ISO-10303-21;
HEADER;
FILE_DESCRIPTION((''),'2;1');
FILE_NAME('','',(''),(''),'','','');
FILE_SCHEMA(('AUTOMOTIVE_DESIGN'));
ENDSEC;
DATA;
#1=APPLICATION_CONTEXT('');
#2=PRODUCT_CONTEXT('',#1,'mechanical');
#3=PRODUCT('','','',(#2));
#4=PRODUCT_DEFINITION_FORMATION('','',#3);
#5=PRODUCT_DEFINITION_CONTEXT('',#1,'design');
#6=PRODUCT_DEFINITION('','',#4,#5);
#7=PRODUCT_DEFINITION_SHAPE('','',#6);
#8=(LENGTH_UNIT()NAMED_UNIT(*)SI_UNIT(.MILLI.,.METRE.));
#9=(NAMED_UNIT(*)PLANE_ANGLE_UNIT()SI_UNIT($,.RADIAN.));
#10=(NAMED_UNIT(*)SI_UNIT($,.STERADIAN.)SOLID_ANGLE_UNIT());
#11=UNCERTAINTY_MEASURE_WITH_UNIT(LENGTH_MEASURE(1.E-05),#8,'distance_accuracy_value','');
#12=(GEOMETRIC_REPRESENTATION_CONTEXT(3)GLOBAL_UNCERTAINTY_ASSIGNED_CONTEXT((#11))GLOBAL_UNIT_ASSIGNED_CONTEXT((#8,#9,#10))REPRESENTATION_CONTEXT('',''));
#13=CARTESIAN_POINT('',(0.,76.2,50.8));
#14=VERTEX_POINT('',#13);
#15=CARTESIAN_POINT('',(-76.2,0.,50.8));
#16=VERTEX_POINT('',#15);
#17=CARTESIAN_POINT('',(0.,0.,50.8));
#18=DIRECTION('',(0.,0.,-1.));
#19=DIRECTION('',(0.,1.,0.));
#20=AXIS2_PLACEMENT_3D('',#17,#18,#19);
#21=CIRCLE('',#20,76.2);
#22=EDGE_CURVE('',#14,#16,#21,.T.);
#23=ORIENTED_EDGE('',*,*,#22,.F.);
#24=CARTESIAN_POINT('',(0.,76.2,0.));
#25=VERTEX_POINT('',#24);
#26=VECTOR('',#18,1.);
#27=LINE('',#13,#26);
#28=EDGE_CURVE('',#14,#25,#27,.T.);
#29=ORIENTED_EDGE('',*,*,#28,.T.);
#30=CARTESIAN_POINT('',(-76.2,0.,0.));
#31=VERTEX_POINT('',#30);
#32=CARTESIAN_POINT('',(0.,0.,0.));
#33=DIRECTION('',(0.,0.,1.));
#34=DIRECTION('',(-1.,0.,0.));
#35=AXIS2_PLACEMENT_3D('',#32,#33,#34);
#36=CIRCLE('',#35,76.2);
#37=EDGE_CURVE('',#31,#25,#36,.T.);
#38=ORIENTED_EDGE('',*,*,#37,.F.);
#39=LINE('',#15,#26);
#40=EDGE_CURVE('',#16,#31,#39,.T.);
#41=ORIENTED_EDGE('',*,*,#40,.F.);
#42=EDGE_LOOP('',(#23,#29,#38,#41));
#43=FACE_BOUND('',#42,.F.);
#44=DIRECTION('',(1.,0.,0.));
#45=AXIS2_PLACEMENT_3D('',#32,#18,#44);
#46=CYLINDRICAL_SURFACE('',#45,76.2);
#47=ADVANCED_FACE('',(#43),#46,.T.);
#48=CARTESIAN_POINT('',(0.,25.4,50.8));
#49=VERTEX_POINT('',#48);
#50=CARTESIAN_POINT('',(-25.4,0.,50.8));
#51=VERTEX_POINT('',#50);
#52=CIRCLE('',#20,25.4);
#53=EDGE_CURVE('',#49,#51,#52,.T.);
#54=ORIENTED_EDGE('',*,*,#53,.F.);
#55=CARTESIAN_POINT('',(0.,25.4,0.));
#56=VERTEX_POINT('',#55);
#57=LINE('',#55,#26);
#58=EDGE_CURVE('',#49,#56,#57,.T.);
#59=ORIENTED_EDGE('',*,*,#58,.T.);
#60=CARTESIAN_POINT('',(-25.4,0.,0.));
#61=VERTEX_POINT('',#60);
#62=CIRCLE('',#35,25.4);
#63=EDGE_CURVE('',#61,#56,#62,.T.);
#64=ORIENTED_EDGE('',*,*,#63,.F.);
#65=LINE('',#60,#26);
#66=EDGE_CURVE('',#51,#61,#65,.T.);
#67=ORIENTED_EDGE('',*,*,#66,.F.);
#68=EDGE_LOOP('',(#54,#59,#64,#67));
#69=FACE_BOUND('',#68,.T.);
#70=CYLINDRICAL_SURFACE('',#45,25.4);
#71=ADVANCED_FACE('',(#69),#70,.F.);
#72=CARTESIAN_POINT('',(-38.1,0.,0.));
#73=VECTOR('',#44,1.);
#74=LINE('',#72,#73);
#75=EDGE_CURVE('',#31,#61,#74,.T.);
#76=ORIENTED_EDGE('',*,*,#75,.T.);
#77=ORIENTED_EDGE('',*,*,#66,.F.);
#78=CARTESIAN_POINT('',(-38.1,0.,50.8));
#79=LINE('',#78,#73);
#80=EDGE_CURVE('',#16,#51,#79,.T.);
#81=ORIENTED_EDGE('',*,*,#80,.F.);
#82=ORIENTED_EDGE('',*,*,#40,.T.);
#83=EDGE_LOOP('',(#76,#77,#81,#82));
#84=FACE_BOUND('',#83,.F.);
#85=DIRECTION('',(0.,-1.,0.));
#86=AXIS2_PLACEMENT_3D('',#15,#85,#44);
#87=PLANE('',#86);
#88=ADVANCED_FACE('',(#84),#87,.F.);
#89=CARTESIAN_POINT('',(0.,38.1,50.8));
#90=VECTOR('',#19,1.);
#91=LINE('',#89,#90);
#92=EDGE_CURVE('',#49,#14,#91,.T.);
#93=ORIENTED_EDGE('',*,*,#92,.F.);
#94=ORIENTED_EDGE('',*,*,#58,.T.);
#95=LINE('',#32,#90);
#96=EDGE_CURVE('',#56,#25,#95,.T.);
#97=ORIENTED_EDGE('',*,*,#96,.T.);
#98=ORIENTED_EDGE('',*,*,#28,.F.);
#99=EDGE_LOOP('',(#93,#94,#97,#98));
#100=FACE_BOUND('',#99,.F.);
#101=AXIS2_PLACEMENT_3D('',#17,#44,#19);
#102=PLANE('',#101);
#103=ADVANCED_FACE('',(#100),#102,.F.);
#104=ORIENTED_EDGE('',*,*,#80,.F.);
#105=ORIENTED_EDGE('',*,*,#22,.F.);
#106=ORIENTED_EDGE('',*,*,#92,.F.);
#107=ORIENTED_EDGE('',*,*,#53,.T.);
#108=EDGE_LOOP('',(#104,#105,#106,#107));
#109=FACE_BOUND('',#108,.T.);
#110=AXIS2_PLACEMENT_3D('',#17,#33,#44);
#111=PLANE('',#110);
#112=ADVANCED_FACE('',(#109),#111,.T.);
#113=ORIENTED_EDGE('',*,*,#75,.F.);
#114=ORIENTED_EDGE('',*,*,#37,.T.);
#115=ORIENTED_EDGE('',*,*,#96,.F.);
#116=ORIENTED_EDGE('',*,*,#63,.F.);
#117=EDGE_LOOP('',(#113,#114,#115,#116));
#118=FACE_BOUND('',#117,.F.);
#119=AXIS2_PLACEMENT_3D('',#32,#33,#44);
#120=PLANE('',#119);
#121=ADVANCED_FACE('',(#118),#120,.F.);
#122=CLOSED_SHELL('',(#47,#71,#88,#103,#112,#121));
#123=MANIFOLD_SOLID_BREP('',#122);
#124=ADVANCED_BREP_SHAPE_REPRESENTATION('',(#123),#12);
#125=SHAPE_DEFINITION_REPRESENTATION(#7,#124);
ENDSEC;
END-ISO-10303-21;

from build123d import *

# Parameters (mm, degrees)
F0_R     = 76.2
F0_R_2   = 25.4
F1_DEPTH = 50.8
F2_W     = 76.2
F2_H     = 76.2
F3_DEPTH = 50.801


with BuildPart() as f1:
    # F0 (on Top) → F1 (new body)
    with BuildSketch(Plane.XY):
        Circle(F0_R)
        Circle(F0_R_2, mode=Mode.SUBTRACT)
    extrude(amount=F1_DEPTH)

    # F2 (on face) → F3 (cut, through all)
    with BuildSketch(Plane.XY.offset(50.8)):
        with Locations((-38.1, 38.1)):
            Rectangle(F2_W, F2_H)
    extrude(amount=-F3_DEPTH, mode=Mode.SUBTRACT)


solid = f1.part
